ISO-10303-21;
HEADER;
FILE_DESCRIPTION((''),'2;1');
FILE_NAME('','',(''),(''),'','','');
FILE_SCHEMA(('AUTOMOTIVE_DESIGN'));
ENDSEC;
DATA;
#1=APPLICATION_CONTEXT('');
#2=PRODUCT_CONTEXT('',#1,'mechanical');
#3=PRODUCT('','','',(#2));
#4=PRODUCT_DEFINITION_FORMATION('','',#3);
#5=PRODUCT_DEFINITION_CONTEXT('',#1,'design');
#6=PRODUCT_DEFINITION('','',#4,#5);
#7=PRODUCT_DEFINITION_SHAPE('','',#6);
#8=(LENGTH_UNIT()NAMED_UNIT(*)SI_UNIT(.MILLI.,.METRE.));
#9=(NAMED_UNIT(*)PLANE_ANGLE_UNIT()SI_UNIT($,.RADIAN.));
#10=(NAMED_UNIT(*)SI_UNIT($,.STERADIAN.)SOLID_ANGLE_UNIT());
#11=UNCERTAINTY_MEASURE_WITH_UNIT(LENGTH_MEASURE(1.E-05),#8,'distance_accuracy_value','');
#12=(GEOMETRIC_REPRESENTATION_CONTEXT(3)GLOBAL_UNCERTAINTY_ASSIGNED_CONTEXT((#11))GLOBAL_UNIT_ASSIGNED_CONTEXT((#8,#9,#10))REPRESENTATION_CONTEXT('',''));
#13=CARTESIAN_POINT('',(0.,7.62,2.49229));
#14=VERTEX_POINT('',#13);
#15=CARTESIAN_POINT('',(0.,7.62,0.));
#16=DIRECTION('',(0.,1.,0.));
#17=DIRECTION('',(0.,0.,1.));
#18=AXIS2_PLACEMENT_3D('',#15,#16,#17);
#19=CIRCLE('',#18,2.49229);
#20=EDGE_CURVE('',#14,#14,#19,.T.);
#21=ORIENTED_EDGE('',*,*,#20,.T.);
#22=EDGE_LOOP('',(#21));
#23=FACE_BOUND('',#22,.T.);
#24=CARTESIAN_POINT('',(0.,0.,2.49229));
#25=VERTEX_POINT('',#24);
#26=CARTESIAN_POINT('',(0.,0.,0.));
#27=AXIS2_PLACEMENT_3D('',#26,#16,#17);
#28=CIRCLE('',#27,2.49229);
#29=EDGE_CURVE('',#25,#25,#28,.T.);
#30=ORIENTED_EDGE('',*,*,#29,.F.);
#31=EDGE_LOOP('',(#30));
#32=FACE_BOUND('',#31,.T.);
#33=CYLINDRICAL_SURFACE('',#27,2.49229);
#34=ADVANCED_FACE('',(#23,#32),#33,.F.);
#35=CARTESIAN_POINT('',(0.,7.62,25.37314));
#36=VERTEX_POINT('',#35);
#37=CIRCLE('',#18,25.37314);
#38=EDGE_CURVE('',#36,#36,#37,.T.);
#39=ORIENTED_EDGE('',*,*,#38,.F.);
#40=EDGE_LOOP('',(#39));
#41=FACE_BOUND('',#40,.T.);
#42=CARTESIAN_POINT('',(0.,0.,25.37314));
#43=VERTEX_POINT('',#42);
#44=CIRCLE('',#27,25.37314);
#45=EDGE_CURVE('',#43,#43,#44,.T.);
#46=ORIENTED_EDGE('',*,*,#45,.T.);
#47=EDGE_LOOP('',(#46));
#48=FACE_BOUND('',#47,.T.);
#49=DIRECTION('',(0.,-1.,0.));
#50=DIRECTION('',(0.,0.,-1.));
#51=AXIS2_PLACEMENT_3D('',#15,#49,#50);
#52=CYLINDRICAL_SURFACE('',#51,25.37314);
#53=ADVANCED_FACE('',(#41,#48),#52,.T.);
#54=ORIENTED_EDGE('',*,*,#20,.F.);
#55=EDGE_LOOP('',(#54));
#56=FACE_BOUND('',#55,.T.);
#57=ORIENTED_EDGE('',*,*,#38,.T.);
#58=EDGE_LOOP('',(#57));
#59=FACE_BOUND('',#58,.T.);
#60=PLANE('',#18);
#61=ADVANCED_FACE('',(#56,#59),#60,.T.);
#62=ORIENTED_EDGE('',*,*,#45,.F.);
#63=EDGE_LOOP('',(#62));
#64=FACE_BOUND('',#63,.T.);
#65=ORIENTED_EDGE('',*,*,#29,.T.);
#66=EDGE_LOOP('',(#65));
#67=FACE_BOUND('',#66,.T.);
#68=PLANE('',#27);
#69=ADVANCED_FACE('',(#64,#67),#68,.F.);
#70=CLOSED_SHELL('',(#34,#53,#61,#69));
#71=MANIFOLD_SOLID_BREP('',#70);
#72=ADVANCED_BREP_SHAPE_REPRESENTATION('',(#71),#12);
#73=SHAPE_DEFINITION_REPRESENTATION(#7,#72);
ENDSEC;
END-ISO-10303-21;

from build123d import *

# Parameters (mm, degrees)
SKETCH1_R           = 25.373140213
BOSS_EXTRUDE1_DEPTH = 7.62
SKETCH2_R           = 2.492289626
CUT_EXTRUDE1_DEPTH  = 7.62


with BuildPart() as part:
    # Sketch1 → Boss-Extrude1 (new body)
    with BuildSketch(Plane(origin=(0, 0, 0), x_dir=(1, 0, 0), z_dir=(0, 1, 0))):
        Circle(SKETCH1_R)
    extrude(amount=BOSS_EXTRUDE1_DEPTH)

    # Sketch2 → Cut-Extrude1 (cut)
    with BuildSketch(Plane(origin=(0, 7.62, 0), x_dir=(1, 0, 0), z_dir=(0, 1, 0))):
        Circle(SKETCH2_R)
    extrude(amount=-CUT_EXTRUDE1_DEPTH, mode=Mode.SUBTRACT)


solid = part.part
